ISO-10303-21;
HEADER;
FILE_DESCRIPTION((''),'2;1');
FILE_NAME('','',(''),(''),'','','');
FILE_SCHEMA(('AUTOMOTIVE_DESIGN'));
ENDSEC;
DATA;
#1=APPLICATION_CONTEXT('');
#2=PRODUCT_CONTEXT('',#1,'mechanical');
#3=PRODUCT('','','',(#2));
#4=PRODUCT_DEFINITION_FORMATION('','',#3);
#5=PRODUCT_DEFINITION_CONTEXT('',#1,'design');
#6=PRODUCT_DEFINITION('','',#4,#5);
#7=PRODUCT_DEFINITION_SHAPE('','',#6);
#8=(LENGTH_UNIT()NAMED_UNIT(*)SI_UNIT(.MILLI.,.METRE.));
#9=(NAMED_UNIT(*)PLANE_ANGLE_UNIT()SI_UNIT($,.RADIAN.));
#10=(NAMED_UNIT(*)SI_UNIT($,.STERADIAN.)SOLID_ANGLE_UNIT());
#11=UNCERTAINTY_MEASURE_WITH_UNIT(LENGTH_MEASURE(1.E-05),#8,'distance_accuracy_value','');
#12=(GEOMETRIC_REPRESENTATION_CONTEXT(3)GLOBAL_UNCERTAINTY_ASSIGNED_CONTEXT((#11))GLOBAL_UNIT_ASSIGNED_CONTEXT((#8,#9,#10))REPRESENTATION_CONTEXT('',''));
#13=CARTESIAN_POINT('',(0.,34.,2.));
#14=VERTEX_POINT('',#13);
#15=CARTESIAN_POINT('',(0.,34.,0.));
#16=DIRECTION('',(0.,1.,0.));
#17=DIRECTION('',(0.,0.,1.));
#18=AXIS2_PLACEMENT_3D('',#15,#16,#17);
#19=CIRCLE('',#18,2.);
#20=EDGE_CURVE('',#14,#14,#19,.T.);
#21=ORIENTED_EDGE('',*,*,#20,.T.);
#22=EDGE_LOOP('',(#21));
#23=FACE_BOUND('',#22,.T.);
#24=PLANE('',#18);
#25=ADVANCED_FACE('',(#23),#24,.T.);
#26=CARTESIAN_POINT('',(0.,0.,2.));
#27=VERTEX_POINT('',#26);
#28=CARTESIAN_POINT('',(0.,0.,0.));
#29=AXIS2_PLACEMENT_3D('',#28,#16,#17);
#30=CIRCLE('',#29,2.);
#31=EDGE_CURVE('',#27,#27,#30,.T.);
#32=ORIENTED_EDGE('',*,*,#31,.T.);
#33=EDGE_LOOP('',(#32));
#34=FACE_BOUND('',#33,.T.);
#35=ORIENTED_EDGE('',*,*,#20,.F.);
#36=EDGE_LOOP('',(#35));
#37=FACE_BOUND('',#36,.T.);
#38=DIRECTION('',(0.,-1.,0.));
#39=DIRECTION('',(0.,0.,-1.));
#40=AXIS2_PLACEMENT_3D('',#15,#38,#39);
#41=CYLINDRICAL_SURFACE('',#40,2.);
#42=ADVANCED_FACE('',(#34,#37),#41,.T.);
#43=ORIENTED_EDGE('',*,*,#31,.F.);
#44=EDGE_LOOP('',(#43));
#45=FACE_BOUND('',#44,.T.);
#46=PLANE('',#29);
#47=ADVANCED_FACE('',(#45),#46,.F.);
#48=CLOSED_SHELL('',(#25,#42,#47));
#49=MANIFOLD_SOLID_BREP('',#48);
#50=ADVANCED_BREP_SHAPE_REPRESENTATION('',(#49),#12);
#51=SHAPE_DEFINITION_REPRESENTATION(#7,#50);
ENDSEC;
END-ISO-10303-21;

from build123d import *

# Parameters (mm, degrees)
ESQUISSE1_R        = 2
BOSS_EXTRU_1_DEPTH = 34


with BuildPart() as part:
    # Esquisse1 → Boss.-Extru.1 (new body)
    with BuildSketch(Plane(origin=(0, 0, 0), x_dir=(1, 0, 0), z_dir=(0, 1, 0))):
        Circle(ESQUISSE1_R)
    extrude(amount=BOSS_EXTRU_1_DEPTH)


solid = part.part
